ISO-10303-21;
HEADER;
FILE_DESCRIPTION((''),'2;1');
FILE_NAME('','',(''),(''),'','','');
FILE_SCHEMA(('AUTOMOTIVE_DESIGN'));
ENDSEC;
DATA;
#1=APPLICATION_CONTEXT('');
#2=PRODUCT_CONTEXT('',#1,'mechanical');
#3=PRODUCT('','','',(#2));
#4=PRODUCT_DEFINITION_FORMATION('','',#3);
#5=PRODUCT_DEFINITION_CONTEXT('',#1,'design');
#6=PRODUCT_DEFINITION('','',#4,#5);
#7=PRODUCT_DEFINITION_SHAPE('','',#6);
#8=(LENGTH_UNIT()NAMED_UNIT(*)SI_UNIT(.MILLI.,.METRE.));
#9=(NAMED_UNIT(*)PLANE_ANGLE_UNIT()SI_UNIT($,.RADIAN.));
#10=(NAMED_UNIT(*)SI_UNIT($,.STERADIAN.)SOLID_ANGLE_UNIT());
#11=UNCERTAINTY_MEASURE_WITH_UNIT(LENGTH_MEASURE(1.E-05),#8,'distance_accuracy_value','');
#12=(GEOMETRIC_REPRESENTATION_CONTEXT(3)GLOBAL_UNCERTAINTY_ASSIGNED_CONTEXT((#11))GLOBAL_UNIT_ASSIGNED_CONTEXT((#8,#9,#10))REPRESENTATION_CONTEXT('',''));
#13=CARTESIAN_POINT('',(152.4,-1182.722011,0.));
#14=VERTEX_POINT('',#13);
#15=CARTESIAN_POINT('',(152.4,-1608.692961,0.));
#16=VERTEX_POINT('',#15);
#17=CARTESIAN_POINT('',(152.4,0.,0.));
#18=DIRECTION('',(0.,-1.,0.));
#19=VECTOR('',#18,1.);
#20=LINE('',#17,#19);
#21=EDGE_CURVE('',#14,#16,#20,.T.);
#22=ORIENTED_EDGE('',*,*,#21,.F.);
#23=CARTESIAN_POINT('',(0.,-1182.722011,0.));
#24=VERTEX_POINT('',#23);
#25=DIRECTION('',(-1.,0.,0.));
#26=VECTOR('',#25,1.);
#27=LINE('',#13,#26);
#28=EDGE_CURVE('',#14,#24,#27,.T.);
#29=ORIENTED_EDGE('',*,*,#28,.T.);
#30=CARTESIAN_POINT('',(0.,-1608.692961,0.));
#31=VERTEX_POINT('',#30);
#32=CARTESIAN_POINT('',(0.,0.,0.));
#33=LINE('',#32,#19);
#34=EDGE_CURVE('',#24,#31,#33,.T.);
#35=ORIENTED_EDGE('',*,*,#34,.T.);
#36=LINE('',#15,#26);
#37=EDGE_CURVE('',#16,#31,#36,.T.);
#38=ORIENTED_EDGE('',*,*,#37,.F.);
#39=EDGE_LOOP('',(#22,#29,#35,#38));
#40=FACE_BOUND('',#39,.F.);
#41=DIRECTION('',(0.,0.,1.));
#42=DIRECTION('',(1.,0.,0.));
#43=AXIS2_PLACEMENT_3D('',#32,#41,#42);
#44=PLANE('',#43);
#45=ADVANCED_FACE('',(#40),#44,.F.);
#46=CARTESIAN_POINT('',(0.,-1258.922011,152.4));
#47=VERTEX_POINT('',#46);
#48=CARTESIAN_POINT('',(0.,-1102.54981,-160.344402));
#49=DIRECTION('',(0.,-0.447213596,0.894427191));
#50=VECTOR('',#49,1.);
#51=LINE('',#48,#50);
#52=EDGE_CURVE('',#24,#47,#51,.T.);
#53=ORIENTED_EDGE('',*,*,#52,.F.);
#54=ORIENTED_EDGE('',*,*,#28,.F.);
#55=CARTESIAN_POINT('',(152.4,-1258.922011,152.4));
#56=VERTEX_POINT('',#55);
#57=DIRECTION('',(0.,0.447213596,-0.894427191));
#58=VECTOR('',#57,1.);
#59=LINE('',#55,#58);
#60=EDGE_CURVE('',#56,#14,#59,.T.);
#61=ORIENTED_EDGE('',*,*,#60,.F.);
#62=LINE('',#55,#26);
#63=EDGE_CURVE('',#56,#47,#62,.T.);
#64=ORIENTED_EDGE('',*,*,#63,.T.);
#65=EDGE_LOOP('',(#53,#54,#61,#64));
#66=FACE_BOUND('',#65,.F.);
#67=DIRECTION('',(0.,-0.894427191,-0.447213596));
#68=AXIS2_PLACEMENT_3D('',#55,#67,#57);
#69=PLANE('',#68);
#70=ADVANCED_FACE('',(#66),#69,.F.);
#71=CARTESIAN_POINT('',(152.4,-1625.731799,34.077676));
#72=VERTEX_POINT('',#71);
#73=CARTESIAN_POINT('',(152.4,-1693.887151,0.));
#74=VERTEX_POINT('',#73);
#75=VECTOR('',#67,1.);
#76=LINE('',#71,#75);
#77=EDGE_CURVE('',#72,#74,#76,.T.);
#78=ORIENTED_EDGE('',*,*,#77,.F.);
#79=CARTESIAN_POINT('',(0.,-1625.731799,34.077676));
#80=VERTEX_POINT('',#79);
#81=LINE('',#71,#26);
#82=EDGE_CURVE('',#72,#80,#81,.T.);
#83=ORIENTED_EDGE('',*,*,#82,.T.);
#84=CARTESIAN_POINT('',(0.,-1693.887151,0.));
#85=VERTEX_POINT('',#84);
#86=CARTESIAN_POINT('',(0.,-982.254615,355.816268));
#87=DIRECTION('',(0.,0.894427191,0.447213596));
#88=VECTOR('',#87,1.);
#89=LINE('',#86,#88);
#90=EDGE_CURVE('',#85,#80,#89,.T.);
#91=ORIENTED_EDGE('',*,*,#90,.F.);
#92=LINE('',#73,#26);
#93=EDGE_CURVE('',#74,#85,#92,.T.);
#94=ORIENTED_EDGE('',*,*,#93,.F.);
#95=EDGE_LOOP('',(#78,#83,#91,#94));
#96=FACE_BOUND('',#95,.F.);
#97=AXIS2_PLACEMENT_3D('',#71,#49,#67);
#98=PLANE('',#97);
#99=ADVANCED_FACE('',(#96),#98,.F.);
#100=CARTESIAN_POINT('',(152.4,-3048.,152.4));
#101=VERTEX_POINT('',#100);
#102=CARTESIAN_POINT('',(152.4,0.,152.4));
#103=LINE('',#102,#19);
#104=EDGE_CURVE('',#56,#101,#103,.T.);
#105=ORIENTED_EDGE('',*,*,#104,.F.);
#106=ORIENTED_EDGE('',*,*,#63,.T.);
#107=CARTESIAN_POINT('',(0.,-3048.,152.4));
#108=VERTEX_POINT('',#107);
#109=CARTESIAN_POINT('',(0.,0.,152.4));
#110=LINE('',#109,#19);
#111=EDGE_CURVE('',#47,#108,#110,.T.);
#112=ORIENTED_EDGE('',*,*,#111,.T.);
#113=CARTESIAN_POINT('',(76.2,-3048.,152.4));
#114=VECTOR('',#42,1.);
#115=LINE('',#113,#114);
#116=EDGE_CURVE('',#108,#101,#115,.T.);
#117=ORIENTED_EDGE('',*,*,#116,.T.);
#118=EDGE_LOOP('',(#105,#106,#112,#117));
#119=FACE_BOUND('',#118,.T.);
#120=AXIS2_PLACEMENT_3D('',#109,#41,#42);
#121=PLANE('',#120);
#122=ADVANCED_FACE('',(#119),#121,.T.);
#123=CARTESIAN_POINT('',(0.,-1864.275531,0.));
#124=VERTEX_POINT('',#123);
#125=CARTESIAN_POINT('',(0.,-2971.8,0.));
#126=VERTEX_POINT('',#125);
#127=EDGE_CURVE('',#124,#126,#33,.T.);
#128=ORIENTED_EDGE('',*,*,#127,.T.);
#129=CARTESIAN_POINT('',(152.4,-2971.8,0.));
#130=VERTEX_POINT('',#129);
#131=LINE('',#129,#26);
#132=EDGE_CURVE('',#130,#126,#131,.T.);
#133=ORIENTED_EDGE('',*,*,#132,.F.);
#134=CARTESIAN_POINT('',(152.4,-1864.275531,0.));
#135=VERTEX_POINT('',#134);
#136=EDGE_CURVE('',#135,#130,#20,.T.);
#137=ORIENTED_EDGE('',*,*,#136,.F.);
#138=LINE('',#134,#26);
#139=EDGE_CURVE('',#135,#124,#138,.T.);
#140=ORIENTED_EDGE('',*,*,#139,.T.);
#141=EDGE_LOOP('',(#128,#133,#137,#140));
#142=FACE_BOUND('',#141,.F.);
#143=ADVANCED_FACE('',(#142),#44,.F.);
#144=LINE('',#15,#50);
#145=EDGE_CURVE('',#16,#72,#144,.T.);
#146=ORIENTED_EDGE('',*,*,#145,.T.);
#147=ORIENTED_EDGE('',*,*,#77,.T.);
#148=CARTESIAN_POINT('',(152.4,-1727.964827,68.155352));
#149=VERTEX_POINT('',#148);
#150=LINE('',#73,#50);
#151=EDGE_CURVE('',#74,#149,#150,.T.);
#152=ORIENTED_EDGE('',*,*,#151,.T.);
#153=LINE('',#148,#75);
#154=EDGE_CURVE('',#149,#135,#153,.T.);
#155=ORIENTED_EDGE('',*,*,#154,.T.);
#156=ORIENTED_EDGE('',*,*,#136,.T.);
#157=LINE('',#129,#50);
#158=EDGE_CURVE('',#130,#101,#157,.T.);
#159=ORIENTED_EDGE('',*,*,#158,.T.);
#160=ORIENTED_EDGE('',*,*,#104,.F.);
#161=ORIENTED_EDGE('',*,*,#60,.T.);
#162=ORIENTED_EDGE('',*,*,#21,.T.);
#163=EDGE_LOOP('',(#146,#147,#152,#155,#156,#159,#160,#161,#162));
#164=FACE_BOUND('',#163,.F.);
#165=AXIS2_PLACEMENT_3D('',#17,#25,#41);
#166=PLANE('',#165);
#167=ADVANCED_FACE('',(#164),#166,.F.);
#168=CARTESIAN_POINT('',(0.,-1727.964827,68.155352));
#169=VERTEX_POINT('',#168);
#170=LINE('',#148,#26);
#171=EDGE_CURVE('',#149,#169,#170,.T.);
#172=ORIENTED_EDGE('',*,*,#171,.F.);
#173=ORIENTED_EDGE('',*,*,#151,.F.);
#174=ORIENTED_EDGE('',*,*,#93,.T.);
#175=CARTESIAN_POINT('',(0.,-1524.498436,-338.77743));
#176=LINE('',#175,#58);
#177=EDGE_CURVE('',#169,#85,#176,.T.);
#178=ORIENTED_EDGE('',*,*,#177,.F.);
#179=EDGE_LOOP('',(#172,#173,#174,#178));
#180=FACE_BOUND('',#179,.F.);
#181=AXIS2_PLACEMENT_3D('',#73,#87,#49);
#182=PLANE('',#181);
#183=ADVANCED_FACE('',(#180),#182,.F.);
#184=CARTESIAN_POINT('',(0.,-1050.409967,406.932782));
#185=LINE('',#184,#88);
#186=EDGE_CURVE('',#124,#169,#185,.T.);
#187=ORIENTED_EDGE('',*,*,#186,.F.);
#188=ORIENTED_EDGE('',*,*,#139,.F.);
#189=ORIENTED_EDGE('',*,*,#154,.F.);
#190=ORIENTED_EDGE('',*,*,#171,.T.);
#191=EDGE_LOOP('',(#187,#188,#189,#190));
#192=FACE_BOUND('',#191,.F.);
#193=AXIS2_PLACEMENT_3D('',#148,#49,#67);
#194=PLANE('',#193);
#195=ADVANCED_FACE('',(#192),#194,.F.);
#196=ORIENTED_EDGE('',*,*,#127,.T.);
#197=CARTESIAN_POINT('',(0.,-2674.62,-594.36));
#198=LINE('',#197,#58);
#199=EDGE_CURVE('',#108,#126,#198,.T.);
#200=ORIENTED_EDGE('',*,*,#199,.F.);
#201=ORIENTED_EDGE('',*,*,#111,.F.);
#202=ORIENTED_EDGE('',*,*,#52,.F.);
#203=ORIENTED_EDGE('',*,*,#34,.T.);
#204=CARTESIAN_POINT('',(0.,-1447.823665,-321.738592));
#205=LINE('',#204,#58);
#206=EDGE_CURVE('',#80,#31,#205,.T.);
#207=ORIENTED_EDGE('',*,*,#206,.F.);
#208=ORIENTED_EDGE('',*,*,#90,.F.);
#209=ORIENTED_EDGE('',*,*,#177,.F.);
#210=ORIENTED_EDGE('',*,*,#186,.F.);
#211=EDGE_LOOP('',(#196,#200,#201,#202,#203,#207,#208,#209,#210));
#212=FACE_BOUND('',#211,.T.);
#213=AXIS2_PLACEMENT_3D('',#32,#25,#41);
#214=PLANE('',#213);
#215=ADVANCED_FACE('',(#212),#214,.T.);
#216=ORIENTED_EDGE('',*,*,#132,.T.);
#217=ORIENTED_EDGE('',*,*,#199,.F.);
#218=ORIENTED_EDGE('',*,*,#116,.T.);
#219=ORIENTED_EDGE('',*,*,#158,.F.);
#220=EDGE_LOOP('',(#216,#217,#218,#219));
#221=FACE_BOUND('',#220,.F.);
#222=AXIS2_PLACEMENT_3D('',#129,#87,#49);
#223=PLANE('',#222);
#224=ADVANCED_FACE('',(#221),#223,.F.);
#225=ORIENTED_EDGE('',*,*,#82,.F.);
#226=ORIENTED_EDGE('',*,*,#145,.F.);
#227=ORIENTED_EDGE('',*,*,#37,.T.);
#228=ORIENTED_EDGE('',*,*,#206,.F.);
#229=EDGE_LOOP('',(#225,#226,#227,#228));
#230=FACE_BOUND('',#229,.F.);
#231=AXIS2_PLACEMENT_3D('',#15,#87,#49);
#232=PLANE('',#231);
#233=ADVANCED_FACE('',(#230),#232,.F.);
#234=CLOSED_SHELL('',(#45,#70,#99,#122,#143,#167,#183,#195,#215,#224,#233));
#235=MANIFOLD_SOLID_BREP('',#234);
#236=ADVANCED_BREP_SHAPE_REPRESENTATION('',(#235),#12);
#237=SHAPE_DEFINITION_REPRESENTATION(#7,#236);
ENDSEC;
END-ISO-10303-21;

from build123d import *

# Parameters (mm, degrees)
F0_W     = 152.4
F0_H     = 152.4
F1_DEPTH = 3048
F3_DEPTH = 152.401


with BuildPart() as f1:
    # F0 (on Front) → F1 (new body)
    with BuildSketch(Plane.XZ):
        with Locations((76.2, 76.2)):
            Rectangle(F0_W, F0_H)
    extrude(amount=F1_DEPTH)

    # F2 (on face) → F3 (cut, through all)
    with BuildSketch(Plane.YZ.offset(152.4)):
        Polygon((-2971.8, 0), (-3048, 152.4), (-3048, 0), align=None)
        Polygon((0, 152.4), (-1258.922011, 152.4), (-1182.722011, 0), (0, 0), align=None)
        Polygon((-1693.887151, 0), (-1608.692961, 0), (-1625.731799, 34.077676), align=None)
        Polygon((-1864.275531, 0), (-1693.887151, 0), (-1727.964827, 68.155352), align=None)
    extrude(amount=-F3_DEPTH, mode=Mode.SUBTRACT)


solid = f1.part
